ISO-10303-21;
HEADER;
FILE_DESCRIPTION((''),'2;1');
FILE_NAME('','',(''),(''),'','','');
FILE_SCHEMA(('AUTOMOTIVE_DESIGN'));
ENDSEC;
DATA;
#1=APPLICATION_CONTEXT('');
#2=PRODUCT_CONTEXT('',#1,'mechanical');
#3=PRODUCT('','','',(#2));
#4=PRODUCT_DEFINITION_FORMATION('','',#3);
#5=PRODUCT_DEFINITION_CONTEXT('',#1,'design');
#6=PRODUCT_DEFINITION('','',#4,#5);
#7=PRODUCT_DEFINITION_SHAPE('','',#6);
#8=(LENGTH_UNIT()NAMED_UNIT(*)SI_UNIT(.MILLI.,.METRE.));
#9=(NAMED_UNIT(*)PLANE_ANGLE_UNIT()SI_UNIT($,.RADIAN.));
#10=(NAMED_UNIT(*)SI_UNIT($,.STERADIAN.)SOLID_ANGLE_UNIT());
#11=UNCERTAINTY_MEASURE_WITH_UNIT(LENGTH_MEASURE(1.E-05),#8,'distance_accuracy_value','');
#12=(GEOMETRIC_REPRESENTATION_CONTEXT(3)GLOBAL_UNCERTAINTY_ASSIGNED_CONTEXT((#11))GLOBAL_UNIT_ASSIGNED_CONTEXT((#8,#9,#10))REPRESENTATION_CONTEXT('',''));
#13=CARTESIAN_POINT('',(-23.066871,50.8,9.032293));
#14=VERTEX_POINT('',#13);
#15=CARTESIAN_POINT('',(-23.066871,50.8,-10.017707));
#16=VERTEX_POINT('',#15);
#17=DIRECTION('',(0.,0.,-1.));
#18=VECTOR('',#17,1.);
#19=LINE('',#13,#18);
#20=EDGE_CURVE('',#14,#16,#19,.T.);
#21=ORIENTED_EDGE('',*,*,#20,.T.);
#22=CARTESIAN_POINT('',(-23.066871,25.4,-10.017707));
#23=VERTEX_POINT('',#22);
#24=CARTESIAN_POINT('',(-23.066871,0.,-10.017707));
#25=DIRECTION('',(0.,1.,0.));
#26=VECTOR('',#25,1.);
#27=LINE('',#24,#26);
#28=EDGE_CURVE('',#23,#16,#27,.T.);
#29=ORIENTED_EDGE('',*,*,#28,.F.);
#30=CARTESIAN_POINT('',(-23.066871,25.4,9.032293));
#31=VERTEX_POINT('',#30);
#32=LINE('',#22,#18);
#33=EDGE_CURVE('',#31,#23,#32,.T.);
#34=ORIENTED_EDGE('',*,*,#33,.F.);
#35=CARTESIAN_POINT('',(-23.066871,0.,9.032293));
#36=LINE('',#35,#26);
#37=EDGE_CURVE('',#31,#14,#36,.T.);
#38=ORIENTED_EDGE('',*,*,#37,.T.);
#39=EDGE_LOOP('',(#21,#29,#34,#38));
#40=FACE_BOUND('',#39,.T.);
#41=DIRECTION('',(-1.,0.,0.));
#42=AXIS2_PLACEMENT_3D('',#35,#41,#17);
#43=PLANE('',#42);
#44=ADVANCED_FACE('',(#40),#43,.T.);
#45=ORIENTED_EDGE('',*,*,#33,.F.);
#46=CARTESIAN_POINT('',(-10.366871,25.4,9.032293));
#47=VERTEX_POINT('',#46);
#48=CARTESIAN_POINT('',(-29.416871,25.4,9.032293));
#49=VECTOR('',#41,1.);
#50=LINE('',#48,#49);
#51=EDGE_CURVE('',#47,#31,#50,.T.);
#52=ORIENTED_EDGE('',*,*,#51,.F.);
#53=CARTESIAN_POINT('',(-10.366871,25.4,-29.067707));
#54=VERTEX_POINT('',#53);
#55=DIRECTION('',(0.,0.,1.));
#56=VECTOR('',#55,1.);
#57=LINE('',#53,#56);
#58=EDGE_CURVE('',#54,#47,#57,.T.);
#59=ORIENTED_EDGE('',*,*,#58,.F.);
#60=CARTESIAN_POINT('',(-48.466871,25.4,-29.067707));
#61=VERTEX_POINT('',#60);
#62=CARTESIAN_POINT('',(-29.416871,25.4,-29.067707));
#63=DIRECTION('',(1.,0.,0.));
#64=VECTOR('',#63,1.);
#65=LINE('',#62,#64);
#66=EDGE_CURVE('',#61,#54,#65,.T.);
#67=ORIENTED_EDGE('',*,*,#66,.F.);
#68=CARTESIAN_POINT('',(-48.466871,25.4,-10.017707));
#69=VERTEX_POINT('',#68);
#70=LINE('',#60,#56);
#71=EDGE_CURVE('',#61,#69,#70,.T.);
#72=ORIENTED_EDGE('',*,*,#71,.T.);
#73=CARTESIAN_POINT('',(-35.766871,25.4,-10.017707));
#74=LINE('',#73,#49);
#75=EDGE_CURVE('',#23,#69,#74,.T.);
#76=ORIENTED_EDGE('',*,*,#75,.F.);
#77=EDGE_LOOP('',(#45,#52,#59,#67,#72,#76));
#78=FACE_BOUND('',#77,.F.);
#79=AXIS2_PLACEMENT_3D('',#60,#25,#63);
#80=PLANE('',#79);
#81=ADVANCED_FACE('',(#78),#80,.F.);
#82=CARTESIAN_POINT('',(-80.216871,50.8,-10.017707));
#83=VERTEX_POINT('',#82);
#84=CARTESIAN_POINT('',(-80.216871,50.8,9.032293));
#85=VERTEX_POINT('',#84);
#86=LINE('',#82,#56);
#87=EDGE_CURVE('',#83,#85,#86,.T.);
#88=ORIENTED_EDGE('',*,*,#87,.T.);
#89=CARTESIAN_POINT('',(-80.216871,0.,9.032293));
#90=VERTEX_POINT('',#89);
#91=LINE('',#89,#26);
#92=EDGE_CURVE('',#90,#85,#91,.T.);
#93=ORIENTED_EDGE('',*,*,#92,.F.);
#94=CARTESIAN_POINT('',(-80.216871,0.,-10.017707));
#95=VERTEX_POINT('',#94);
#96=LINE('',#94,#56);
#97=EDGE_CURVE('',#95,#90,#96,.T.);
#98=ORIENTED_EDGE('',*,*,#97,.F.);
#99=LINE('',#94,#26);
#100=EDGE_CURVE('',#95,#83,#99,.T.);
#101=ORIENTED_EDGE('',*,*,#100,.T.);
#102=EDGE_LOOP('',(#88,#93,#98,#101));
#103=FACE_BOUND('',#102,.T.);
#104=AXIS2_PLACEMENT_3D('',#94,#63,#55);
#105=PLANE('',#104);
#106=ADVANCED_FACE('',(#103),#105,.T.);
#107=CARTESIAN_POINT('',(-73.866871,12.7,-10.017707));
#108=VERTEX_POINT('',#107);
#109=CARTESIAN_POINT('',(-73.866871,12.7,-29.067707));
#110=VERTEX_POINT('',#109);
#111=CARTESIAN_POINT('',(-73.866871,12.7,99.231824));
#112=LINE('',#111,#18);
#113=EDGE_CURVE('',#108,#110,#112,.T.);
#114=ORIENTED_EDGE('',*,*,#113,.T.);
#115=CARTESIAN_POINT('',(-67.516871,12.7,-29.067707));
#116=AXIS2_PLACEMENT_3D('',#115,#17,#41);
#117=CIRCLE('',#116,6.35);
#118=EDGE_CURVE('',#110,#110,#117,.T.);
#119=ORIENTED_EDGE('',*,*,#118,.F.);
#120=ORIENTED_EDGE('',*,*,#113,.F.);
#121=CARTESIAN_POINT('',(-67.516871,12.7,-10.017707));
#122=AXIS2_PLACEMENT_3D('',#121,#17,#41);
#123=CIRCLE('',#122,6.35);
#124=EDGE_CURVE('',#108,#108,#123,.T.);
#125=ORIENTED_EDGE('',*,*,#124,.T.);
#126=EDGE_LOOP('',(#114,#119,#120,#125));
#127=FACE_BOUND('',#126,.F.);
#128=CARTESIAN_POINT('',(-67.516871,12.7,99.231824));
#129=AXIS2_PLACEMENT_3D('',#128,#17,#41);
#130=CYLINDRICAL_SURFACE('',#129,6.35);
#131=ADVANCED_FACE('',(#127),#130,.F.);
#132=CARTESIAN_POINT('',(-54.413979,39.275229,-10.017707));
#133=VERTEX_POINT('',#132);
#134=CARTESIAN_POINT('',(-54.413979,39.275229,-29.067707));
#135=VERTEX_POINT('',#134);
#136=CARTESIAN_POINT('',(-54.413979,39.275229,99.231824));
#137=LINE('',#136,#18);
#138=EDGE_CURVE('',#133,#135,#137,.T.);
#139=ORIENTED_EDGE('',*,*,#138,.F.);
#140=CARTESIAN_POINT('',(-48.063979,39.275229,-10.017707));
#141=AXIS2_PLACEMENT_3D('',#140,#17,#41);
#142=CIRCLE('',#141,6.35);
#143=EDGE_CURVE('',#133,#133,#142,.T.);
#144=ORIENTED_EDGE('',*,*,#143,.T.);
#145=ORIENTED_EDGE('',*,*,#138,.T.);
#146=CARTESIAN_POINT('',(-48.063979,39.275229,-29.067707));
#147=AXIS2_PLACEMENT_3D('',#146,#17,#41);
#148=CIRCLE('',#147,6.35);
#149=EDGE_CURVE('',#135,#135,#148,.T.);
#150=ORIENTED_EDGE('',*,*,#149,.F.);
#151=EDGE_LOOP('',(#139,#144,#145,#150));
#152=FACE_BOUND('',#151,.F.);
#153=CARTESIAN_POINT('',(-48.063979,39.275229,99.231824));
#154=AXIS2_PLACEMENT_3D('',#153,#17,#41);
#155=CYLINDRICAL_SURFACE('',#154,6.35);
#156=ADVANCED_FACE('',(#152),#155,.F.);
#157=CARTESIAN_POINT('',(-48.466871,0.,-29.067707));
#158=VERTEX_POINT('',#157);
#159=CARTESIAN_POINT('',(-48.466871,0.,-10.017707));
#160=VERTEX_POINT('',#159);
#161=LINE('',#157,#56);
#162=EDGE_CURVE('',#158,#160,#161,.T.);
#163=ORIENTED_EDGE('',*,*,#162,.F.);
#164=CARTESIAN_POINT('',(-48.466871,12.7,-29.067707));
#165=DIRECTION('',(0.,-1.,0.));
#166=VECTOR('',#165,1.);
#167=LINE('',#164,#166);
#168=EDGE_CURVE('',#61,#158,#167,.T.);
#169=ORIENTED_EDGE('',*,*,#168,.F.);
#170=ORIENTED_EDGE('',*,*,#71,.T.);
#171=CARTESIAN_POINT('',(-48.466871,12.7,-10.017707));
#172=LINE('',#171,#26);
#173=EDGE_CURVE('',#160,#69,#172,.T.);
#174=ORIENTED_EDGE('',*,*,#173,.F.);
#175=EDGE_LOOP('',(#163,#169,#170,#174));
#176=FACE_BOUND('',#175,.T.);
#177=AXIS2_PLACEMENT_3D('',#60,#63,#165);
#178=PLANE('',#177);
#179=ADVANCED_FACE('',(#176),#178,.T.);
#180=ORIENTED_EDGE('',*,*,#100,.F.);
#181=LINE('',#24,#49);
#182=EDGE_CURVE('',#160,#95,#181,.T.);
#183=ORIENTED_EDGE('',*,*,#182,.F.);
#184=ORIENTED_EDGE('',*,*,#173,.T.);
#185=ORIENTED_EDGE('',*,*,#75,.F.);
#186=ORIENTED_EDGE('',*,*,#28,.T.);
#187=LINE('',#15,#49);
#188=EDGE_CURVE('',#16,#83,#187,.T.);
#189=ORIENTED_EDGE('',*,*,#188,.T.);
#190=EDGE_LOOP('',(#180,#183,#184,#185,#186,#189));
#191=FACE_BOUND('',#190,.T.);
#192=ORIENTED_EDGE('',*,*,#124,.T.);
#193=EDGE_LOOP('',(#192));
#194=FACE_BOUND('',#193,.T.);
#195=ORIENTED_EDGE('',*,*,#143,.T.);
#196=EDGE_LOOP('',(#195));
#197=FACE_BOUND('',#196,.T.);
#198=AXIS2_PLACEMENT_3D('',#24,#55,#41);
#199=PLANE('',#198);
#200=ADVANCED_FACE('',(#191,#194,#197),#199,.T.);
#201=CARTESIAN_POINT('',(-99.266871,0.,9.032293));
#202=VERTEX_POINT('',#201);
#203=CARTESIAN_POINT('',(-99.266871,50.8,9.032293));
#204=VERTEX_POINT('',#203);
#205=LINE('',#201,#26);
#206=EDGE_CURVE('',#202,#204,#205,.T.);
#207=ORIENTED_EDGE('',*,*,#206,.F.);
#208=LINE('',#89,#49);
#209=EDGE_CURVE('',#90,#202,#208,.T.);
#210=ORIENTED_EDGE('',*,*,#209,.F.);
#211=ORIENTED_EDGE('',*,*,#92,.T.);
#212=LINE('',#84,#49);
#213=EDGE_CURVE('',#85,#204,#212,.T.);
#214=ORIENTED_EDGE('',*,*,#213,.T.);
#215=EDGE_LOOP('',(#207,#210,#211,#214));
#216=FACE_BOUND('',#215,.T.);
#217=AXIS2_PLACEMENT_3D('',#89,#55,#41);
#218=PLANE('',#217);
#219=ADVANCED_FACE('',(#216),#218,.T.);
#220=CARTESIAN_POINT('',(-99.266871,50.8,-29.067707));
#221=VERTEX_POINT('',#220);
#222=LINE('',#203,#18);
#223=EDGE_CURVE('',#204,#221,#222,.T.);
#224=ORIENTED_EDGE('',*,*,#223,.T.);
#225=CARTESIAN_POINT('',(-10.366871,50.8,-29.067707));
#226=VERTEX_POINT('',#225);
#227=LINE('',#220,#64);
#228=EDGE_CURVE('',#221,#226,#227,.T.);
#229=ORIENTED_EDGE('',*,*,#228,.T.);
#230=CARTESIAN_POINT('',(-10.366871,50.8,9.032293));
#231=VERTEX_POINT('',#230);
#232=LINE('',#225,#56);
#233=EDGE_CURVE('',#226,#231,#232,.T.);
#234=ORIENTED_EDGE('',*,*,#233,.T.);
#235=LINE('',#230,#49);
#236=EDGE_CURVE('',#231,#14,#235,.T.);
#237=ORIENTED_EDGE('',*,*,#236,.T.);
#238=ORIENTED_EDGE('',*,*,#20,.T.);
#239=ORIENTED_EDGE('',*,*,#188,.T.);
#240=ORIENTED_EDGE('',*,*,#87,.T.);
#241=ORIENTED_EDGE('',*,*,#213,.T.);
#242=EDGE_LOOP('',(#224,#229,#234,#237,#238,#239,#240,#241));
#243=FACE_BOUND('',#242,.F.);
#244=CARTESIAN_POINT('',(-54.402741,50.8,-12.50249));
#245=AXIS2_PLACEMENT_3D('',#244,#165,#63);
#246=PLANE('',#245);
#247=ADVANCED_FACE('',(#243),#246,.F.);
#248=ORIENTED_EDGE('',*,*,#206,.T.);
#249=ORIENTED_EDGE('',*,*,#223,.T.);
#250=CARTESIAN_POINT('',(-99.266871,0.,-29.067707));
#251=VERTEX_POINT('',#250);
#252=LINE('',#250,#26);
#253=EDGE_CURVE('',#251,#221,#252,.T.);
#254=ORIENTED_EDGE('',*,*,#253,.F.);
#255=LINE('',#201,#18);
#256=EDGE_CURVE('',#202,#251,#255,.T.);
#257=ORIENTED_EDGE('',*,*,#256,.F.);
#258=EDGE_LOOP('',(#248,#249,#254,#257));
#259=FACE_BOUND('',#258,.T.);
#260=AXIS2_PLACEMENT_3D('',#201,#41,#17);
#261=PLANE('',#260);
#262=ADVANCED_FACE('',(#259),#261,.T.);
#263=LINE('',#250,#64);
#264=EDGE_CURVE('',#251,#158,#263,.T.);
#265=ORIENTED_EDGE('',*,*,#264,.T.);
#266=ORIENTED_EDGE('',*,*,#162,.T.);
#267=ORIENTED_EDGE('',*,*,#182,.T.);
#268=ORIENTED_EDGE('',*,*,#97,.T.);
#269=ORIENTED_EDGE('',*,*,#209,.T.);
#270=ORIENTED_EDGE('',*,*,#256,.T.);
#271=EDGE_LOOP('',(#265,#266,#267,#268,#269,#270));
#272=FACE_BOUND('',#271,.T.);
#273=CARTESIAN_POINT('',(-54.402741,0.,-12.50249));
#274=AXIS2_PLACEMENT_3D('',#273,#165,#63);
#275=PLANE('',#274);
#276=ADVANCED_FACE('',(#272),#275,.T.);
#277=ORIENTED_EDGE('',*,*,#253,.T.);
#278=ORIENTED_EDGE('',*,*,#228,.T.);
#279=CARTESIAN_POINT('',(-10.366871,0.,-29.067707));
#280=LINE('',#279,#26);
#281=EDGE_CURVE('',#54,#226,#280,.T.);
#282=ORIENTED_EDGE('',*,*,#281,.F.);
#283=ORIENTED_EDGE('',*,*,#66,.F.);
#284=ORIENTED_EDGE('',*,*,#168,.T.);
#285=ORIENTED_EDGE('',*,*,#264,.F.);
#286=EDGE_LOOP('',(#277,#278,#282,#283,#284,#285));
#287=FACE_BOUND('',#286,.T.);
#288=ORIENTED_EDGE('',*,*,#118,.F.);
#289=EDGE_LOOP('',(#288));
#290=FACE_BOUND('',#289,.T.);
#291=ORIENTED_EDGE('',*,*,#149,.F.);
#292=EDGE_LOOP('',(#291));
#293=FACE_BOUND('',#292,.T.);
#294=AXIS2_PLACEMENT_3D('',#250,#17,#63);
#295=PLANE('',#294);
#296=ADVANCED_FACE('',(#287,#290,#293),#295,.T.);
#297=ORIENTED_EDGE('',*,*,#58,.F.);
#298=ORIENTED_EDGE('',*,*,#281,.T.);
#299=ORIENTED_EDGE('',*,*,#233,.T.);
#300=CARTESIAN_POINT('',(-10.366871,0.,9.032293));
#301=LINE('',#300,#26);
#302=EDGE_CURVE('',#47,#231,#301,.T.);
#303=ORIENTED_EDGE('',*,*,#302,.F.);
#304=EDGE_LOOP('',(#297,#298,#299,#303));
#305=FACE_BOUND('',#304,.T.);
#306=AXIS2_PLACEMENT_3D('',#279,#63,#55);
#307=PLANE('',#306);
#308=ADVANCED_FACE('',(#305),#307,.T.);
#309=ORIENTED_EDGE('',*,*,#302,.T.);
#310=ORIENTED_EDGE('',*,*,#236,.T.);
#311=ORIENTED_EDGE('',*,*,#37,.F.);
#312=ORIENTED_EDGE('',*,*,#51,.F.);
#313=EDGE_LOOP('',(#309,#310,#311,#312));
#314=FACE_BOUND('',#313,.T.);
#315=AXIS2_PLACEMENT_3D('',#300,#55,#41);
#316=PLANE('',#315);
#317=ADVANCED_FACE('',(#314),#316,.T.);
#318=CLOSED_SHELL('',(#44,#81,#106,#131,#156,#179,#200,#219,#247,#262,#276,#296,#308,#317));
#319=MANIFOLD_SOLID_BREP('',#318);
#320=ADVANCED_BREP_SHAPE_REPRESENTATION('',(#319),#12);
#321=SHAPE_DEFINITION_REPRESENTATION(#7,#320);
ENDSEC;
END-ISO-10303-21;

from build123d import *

# Parameters (mm, degrees)
F1_DEPTH = 50.8
F2_W     = 38.1
F2_H     = 25.4
F3_DEPTH = 39.21464
F5_D     = 12.7
F7_D     = 12.7


with BuildPart() as f1:
    # F0 (on Front) → F1 (new body)
    with BuildSketch(Plane.XZ):
        Polygon((-80.216871, 9.032293), (-99.266871, 9.032293), (-99.266871, -29.067707), (-10.366871, -29.067707), (-10.366871, 9.032293), (-23.066871, 9.032293), (-23.066871, -10.017707), (-80.216871, -10.017707), align=None)
    extrude(amount=-F1_DEPTH)

    # F2 (on face) → F3 (cut)
    with BuildSketch(Plane(origin=(0, 0, -29.067707), x_dir=(1, 0, 0), z_dir=(0, 0, -1))):
        with Locations((-29.416871, -12.7)):
            Rectangle(F2_W, F2_H)
    extrude(amount=-F3_DEPTH, mode=Mode.SUBTRACT)

    # F5 (through all)
    with Locations(Plane.XY.offset(-10.017707)):
        with Locations((-67.516871, 12.7)):
            Hole(F5_D / 2)

    # F7 (through all)
    with Locations(Plane.XY.offset(-10.017707)):
        with Locations((-48.063979, 39.275229)):
            Hole(F7_D / 2)


solid = f1.part
